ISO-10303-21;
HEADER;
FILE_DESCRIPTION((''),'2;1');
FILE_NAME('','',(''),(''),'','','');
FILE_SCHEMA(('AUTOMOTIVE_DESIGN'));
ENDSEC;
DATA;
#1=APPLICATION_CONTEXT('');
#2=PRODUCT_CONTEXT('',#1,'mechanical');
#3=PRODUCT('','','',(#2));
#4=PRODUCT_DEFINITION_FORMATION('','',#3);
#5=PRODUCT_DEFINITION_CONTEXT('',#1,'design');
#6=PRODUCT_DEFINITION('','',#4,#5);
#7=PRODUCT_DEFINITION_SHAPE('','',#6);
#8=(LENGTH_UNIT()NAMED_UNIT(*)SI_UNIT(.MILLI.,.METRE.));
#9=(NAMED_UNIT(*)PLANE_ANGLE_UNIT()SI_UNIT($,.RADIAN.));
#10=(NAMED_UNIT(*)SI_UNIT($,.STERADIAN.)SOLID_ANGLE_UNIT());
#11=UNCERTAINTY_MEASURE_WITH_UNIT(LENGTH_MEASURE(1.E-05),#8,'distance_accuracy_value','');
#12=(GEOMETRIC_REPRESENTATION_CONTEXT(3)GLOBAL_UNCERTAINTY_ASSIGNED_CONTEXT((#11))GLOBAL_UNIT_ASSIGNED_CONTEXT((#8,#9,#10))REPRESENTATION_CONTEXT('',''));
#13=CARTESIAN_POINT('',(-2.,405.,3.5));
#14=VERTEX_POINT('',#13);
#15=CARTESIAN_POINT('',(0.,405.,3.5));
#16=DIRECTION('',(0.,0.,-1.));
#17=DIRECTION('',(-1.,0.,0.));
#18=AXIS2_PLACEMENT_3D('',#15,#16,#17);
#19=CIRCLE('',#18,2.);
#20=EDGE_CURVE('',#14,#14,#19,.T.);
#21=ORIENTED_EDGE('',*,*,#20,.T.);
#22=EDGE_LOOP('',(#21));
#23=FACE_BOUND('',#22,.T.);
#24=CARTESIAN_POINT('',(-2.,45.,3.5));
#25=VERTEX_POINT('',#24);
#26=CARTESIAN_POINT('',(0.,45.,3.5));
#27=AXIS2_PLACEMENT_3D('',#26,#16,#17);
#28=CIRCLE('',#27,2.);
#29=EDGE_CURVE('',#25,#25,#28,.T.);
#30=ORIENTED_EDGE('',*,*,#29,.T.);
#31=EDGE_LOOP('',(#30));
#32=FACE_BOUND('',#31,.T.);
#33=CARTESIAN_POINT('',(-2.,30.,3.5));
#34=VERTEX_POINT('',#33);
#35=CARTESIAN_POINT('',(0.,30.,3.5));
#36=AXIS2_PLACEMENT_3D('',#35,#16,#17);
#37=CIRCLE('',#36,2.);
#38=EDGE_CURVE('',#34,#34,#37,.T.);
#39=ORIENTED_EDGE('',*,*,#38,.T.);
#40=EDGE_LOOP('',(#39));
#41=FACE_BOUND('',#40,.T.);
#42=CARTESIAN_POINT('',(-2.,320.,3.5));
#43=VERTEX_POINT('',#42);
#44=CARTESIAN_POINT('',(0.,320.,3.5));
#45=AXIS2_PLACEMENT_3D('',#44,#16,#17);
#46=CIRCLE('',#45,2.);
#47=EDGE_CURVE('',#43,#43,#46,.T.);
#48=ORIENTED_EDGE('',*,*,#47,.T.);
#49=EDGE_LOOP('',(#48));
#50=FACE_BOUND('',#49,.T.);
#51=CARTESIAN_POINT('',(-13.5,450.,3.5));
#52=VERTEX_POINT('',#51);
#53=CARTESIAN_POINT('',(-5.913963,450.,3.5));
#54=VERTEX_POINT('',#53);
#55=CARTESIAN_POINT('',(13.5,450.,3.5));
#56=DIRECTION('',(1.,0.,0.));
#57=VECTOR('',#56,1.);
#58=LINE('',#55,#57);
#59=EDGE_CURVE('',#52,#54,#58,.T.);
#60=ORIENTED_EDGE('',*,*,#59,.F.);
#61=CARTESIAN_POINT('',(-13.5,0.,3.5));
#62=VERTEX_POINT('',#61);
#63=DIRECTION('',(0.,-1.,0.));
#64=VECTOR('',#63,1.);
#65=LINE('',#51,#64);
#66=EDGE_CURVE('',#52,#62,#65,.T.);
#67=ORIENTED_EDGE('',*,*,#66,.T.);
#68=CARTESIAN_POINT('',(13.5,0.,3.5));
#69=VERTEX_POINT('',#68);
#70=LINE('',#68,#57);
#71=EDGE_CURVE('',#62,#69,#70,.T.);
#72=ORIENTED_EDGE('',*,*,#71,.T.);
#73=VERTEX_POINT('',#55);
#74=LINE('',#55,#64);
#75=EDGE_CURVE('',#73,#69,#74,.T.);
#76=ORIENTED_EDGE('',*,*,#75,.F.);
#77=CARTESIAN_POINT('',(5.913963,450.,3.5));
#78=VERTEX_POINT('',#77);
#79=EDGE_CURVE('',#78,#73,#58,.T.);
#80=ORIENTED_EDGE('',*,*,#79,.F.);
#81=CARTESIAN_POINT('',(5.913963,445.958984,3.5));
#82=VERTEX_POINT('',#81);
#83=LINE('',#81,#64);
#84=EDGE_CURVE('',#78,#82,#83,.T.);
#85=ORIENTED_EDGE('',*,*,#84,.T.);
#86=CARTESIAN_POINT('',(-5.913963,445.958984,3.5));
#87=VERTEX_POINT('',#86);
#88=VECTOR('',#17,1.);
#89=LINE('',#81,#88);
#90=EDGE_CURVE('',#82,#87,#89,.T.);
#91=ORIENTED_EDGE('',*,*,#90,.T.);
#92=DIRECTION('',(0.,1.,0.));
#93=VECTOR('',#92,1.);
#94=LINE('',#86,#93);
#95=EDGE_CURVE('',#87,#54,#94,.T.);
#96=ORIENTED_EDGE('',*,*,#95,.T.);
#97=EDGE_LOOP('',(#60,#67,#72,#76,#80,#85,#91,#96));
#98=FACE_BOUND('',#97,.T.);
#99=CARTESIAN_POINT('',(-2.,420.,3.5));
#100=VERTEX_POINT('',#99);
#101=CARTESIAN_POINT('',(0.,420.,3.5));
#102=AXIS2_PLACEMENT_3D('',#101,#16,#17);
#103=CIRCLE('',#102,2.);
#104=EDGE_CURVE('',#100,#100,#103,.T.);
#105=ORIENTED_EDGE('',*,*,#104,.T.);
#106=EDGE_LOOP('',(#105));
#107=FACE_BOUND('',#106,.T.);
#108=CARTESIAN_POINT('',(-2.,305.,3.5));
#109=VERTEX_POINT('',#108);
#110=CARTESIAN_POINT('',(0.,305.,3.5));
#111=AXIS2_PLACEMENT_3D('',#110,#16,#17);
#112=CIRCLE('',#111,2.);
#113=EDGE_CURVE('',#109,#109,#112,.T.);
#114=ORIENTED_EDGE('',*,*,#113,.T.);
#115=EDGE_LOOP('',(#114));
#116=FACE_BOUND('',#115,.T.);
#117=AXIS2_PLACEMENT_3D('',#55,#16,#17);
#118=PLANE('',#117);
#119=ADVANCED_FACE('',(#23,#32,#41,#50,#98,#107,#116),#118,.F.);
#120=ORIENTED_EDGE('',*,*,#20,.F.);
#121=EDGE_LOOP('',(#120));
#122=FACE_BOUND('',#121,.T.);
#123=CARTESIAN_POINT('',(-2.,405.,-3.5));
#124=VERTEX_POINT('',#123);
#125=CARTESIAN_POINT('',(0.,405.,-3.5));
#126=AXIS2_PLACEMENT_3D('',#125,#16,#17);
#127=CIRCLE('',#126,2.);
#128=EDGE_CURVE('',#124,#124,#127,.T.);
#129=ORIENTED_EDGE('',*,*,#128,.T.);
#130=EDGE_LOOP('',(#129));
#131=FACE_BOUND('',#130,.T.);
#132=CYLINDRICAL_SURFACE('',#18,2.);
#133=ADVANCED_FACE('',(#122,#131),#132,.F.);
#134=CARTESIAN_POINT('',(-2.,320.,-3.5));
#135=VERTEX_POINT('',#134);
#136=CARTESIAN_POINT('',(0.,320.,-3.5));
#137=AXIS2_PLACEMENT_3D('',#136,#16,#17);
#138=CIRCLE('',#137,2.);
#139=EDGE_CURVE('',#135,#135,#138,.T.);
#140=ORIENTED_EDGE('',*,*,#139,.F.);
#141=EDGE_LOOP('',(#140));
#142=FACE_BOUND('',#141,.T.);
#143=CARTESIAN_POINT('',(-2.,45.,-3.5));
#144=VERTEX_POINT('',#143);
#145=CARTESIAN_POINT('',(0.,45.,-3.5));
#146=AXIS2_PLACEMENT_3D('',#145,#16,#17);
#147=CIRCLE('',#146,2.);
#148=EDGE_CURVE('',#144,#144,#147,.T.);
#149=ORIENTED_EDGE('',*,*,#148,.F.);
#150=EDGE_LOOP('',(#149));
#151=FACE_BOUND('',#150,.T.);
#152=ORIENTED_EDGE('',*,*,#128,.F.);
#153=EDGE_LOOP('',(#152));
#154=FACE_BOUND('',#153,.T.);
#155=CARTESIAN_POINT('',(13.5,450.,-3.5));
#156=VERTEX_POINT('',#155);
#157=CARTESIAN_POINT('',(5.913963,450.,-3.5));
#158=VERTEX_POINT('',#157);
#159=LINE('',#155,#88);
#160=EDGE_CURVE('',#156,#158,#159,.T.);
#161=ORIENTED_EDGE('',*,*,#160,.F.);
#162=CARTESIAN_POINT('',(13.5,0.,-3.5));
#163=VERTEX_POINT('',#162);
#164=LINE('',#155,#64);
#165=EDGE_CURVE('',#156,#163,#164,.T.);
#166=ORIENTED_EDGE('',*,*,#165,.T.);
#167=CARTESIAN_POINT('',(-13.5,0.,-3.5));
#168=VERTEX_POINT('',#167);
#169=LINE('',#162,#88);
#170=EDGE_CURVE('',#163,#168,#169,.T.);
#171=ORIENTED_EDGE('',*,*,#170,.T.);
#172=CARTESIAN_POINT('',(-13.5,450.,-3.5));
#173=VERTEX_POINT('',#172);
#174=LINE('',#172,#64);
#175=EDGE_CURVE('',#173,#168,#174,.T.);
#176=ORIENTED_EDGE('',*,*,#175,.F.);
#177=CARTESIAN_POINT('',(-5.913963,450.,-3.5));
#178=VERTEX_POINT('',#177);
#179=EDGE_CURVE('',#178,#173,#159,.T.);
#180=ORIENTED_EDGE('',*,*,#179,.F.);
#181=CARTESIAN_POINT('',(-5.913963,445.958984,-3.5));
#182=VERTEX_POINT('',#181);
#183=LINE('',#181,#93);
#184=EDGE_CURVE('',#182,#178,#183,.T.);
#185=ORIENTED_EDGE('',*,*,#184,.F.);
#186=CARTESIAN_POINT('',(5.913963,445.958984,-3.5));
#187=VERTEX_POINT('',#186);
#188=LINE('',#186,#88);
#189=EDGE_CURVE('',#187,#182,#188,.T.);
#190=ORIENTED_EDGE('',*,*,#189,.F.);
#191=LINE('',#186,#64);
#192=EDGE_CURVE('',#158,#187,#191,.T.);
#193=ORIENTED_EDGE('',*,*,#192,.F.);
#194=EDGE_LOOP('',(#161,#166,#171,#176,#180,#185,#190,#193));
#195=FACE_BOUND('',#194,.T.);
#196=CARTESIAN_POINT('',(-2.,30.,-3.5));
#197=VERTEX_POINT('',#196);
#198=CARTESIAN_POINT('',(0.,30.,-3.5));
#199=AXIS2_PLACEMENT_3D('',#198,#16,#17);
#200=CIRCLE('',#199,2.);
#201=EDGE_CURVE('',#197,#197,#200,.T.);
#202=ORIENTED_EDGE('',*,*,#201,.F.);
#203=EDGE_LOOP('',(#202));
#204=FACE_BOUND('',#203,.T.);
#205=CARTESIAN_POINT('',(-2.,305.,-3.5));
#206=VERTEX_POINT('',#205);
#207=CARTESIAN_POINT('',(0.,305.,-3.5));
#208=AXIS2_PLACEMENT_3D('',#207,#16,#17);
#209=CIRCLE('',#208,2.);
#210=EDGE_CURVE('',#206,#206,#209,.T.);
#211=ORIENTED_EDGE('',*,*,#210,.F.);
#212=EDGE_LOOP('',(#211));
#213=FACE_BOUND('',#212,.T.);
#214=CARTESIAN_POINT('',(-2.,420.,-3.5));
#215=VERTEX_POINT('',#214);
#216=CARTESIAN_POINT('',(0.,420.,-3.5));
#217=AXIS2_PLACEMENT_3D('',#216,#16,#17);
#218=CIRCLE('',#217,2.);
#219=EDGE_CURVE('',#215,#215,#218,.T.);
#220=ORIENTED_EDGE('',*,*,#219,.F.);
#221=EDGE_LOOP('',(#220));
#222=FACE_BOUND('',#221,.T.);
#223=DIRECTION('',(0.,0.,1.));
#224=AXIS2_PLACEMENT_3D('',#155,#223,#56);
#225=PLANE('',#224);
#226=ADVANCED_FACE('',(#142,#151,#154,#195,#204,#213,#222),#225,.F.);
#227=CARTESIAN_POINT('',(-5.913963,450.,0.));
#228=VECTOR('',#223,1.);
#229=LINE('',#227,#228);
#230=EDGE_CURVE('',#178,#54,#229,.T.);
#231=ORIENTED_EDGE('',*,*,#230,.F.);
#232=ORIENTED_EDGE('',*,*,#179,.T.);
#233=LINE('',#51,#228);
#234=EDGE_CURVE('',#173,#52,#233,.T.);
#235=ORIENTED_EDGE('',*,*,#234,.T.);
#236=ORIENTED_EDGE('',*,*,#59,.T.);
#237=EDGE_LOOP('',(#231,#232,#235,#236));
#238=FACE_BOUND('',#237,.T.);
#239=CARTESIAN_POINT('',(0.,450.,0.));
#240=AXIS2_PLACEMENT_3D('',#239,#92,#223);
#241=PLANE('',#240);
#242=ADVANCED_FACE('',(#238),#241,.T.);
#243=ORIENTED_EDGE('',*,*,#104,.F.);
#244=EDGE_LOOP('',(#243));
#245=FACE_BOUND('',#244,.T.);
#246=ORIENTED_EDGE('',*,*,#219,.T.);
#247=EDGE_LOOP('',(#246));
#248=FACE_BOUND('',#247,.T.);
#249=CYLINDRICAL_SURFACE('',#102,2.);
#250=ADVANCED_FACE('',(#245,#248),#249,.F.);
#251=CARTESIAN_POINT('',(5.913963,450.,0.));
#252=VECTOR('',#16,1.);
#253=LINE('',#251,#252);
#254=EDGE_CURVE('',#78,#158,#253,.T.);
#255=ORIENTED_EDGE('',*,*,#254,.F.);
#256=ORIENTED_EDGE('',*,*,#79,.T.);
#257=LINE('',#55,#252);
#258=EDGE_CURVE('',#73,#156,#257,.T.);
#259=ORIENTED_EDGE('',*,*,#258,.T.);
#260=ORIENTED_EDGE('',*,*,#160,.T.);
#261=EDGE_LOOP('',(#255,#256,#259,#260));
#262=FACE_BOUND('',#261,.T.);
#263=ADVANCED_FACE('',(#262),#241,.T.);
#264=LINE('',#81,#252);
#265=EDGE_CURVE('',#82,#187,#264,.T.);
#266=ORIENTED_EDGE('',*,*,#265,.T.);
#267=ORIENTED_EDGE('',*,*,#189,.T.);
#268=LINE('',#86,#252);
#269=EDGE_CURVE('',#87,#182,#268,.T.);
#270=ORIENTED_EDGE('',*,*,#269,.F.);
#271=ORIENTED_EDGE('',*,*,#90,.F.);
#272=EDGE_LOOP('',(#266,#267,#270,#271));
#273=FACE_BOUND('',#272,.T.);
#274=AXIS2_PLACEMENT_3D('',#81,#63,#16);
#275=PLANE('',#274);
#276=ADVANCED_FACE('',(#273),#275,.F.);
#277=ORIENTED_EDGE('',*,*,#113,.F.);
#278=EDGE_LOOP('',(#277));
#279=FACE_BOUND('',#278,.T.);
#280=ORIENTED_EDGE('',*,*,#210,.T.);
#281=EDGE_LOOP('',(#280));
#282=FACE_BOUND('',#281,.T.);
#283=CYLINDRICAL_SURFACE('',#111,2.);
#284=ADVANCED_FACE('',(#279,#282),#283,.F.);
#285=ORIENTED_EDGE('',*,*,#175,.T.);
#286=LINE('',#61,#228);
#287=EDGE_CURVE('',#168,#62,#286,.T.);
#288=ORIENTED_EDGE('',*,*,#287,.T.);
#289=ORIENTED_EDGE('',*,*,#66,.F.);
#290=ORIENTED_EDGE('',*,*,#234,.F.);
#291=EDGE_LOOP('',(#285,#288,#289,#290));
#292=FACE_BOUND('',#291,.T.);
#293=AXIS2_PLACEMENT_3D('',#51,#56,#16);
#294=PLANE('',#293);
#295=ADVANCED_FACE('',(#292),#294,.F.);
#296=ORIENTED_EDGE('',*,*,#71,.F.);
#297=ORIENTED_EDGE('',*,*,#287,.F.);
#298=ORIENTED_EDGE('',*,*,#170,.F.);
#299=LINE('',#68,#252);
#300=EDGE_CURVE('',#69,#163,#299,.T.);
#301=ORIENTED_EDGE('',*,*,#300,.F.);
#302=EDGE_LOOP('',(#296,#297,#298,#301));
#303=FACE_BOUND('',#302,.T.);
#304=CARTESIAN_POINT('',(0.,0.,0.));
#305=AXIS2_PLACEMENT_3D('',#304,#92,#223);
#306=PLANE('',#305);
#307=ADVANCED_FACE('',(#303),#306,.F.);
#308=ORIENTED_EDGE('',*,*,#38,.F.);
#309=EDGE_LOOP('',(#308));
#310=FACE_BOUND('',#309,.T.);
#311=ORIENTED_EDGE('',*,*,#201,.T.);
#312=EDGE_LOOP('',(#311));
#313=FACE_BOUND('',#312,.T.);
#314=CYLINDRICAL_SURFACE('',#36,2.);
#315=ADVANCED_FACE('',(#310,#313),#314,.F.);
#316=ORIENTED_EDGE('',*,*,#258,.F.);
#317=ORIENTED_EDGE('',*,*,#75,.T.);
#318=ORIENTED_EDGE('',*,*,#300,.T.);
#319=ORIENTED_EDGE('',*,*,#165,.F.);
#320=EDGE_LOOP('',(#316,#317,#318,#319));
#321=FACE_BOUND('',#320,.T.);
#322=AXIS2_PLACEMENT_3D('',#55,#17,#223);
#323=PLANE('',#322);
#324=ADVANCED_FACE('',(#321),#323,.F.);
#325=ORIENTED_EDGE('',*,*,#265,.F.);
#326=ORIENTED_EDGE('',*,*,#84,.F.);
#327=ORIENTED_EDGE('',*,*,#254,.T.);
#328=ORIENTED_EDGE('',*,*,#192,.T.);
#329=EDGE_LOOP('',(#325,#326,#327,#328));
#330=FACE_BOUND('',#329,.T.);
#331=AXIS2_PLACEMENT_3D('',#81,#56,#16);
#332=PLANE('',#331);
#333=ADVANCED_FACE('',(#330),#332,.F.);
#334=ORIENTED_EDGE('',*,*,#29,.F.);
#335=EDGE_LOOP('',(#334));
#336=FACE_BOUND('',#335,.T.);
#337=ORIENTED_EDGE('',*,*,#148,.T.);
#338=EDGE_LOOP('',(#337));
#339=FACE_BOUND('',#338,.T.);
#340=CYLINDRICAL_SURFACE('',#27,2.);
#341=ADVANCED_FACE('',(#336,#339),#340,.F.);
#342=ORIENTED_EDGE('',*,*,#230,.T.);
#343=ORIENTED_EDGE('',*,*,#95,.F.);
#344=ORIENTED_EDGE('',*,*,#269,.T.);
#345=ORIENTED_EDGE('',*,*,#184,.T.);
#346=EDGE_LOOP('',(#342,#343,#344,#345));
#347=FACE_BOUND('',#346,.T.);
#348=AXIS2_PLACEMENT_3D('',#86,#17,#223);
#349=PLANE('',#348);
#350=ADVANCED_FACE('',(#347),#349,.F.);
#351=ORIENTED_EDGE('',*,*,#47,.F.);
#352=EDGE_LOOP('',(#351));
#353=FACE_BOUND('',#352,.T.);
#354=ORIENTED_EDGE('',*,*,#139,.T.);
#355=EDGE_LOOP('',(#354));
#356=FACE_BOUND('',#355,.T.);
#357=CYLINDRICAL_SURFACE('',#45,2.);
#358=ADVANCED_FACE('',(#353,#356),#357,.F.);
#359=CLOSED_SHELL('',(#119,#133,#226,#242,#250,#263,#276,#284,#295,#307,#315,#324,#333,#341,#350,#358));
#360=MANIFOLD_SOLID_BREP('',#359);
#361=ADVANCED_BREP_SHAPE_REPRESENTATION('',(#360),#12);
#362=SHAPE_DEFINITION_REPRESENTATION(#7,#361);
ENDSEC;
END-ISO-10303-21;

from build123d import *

# Parameters (mm, degrees)
SKETCH_1_W          = 27
SKETCH_1_H          = 7
EXTRUDE_1_DEPTH     = 450
SKETCH_2_W          = 11.82792619
SKETCH_2_H          = 8.082032634
CUT_EXTRUDE_1_DEPTH = 8
SKETCH_3_R          = 2
CUT_EXTRUDE_2_DEPTH = 8


with BuildPart() as part:
    # 草图1 → 凸台-拉伸1 (new body)
    with BuildSketch(Plane(origin=(0, 0, 0), x_dir=(1, 0, 0), z_dir=(0, 1, 0))):
        Rectangle(SKETCH_1_W, SKETCH_1_H)
    extrude(amount=EXTRUDE_1_DEPTH)

    # 草图2 → 切除-拉伸1 (cut, through all)
    with BuildSketch(Plane(origin=(0, 0, -3.5), x_dir=(-1, 0, 0), z_dir=(0, 0, -1))):
        with Locations((0, 450)):
            Rectangle(SKETCH_2_W, SKETCH_2_H)
    extrude(amount=-CUT_EXTRUDE_1_DEPTH, mode=Mode.SUBTRACT)

    # 草图3 → 切除-拉伸2 (cut, through all)
    with BuildSketch(Plane(origin=(0, 0, -3.5), x_dir=(-1, 0, 0), z_dir=(0, 0, -1))):
        with Locations((0, 420)):
            Circle(SKETCH_3_R)
        with Locations((0, 405)):
            Circle(SKETCH_3_R)
        with Locations((0, 320)):
            Circle(SKETCH_3_R)
        with Locations((0, 305)):
            Circle(SKETCH_3_R)
        with Locations((0, 30)):
            Circle(SKETCH_3_R)
        with Locations((0, 45)):
            Circle(SKETCH_3_R)
    extrude(amount=-CUT_EXTRUDE_2_DEPTH, mode=Mode.SUBTRACT)


solid = part.part
